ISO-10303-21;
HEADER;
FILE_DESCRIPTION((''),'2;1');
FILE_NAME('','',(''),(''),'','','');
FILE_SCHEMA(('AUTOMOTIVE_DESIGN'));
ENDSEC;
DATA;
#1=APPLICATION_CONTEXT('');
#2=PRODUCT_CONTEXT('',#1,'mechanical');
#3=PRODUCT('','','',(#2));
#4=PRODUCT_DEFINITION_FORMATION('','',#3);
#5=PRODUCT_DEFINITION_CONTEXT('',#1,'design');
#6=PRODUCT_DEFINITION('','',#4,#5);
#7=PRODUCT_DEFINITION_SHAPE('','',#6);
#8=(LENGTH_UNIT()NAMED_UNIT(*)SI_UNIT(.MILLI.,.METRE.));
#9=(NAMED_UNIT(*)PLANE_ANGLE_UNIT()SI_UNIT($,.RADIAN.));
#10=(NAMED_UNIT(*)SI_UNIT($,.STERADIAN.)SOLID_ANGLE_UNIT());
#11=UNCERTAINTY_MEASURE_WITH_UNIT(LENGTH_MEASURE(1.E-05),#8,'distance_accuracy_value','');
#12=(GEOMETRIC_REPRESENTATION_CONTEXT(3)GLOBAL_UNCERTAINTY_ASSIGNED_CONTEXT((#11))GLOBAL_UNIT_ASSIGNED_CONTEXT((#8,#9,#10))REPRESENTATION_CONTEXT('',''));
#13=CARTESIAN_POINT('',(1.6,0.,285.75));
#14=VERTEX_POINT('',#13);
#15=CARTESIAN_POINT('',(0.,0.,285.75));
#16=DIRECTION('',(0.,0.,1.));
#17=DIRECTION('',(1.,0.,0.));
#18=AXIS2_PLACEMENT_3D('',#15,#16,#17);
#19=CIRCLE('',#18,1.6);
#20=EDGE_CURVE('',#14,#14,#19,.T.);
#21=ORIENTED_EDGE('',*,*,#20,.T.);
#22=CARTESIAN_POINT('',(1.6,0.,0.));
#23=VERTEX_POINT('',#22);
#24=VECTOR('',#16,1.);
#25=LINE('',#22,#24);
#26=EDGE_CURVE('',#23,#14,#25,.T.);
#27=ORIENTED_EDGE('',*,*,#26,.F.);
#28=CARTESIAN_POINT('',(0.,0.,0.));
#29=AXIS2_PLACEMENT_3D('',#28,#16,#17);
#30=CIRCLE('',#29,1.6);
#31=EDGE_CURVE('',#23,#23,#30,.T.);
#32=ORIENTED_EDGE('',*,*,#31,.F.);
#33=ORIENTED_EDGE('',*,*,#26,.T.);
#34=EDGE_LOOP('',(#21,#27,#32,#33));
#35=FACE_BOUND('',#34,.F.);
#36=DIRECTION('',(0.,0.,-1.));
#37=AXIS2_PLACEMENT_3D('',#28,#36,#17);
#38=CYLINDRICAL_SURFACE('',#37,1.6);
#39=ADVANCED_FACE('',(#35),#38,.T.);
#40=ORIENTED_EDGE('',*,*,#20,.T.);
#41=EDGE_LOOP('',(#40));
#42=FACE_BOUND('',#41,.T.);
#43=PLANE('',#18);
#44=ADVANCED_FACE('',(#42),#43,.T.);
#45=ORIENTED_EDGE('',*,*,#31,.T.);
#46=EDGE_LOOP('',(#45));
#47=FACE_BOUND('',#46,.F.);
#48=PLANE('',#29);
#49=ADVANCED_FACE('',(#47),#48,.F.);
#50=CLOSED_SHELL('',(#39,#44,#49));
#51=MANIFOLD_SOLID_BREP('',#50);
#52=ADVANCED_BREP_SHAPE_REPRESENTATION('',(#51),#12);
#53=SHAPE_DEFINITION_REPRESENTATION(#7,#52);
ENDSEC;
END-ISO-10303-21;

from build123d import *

# Parameters (mm, degrees)
SKETCH_R  = 1.6
PAD_DEPTH = 285.75


with BuildPart() as part:
    # Sketch → Pad (new body)
    with BuildSketch(Plane.XY):
        Circle(SKETCH_R)
    extrude(amount=PAD_DEPTH)


solid = part.part
